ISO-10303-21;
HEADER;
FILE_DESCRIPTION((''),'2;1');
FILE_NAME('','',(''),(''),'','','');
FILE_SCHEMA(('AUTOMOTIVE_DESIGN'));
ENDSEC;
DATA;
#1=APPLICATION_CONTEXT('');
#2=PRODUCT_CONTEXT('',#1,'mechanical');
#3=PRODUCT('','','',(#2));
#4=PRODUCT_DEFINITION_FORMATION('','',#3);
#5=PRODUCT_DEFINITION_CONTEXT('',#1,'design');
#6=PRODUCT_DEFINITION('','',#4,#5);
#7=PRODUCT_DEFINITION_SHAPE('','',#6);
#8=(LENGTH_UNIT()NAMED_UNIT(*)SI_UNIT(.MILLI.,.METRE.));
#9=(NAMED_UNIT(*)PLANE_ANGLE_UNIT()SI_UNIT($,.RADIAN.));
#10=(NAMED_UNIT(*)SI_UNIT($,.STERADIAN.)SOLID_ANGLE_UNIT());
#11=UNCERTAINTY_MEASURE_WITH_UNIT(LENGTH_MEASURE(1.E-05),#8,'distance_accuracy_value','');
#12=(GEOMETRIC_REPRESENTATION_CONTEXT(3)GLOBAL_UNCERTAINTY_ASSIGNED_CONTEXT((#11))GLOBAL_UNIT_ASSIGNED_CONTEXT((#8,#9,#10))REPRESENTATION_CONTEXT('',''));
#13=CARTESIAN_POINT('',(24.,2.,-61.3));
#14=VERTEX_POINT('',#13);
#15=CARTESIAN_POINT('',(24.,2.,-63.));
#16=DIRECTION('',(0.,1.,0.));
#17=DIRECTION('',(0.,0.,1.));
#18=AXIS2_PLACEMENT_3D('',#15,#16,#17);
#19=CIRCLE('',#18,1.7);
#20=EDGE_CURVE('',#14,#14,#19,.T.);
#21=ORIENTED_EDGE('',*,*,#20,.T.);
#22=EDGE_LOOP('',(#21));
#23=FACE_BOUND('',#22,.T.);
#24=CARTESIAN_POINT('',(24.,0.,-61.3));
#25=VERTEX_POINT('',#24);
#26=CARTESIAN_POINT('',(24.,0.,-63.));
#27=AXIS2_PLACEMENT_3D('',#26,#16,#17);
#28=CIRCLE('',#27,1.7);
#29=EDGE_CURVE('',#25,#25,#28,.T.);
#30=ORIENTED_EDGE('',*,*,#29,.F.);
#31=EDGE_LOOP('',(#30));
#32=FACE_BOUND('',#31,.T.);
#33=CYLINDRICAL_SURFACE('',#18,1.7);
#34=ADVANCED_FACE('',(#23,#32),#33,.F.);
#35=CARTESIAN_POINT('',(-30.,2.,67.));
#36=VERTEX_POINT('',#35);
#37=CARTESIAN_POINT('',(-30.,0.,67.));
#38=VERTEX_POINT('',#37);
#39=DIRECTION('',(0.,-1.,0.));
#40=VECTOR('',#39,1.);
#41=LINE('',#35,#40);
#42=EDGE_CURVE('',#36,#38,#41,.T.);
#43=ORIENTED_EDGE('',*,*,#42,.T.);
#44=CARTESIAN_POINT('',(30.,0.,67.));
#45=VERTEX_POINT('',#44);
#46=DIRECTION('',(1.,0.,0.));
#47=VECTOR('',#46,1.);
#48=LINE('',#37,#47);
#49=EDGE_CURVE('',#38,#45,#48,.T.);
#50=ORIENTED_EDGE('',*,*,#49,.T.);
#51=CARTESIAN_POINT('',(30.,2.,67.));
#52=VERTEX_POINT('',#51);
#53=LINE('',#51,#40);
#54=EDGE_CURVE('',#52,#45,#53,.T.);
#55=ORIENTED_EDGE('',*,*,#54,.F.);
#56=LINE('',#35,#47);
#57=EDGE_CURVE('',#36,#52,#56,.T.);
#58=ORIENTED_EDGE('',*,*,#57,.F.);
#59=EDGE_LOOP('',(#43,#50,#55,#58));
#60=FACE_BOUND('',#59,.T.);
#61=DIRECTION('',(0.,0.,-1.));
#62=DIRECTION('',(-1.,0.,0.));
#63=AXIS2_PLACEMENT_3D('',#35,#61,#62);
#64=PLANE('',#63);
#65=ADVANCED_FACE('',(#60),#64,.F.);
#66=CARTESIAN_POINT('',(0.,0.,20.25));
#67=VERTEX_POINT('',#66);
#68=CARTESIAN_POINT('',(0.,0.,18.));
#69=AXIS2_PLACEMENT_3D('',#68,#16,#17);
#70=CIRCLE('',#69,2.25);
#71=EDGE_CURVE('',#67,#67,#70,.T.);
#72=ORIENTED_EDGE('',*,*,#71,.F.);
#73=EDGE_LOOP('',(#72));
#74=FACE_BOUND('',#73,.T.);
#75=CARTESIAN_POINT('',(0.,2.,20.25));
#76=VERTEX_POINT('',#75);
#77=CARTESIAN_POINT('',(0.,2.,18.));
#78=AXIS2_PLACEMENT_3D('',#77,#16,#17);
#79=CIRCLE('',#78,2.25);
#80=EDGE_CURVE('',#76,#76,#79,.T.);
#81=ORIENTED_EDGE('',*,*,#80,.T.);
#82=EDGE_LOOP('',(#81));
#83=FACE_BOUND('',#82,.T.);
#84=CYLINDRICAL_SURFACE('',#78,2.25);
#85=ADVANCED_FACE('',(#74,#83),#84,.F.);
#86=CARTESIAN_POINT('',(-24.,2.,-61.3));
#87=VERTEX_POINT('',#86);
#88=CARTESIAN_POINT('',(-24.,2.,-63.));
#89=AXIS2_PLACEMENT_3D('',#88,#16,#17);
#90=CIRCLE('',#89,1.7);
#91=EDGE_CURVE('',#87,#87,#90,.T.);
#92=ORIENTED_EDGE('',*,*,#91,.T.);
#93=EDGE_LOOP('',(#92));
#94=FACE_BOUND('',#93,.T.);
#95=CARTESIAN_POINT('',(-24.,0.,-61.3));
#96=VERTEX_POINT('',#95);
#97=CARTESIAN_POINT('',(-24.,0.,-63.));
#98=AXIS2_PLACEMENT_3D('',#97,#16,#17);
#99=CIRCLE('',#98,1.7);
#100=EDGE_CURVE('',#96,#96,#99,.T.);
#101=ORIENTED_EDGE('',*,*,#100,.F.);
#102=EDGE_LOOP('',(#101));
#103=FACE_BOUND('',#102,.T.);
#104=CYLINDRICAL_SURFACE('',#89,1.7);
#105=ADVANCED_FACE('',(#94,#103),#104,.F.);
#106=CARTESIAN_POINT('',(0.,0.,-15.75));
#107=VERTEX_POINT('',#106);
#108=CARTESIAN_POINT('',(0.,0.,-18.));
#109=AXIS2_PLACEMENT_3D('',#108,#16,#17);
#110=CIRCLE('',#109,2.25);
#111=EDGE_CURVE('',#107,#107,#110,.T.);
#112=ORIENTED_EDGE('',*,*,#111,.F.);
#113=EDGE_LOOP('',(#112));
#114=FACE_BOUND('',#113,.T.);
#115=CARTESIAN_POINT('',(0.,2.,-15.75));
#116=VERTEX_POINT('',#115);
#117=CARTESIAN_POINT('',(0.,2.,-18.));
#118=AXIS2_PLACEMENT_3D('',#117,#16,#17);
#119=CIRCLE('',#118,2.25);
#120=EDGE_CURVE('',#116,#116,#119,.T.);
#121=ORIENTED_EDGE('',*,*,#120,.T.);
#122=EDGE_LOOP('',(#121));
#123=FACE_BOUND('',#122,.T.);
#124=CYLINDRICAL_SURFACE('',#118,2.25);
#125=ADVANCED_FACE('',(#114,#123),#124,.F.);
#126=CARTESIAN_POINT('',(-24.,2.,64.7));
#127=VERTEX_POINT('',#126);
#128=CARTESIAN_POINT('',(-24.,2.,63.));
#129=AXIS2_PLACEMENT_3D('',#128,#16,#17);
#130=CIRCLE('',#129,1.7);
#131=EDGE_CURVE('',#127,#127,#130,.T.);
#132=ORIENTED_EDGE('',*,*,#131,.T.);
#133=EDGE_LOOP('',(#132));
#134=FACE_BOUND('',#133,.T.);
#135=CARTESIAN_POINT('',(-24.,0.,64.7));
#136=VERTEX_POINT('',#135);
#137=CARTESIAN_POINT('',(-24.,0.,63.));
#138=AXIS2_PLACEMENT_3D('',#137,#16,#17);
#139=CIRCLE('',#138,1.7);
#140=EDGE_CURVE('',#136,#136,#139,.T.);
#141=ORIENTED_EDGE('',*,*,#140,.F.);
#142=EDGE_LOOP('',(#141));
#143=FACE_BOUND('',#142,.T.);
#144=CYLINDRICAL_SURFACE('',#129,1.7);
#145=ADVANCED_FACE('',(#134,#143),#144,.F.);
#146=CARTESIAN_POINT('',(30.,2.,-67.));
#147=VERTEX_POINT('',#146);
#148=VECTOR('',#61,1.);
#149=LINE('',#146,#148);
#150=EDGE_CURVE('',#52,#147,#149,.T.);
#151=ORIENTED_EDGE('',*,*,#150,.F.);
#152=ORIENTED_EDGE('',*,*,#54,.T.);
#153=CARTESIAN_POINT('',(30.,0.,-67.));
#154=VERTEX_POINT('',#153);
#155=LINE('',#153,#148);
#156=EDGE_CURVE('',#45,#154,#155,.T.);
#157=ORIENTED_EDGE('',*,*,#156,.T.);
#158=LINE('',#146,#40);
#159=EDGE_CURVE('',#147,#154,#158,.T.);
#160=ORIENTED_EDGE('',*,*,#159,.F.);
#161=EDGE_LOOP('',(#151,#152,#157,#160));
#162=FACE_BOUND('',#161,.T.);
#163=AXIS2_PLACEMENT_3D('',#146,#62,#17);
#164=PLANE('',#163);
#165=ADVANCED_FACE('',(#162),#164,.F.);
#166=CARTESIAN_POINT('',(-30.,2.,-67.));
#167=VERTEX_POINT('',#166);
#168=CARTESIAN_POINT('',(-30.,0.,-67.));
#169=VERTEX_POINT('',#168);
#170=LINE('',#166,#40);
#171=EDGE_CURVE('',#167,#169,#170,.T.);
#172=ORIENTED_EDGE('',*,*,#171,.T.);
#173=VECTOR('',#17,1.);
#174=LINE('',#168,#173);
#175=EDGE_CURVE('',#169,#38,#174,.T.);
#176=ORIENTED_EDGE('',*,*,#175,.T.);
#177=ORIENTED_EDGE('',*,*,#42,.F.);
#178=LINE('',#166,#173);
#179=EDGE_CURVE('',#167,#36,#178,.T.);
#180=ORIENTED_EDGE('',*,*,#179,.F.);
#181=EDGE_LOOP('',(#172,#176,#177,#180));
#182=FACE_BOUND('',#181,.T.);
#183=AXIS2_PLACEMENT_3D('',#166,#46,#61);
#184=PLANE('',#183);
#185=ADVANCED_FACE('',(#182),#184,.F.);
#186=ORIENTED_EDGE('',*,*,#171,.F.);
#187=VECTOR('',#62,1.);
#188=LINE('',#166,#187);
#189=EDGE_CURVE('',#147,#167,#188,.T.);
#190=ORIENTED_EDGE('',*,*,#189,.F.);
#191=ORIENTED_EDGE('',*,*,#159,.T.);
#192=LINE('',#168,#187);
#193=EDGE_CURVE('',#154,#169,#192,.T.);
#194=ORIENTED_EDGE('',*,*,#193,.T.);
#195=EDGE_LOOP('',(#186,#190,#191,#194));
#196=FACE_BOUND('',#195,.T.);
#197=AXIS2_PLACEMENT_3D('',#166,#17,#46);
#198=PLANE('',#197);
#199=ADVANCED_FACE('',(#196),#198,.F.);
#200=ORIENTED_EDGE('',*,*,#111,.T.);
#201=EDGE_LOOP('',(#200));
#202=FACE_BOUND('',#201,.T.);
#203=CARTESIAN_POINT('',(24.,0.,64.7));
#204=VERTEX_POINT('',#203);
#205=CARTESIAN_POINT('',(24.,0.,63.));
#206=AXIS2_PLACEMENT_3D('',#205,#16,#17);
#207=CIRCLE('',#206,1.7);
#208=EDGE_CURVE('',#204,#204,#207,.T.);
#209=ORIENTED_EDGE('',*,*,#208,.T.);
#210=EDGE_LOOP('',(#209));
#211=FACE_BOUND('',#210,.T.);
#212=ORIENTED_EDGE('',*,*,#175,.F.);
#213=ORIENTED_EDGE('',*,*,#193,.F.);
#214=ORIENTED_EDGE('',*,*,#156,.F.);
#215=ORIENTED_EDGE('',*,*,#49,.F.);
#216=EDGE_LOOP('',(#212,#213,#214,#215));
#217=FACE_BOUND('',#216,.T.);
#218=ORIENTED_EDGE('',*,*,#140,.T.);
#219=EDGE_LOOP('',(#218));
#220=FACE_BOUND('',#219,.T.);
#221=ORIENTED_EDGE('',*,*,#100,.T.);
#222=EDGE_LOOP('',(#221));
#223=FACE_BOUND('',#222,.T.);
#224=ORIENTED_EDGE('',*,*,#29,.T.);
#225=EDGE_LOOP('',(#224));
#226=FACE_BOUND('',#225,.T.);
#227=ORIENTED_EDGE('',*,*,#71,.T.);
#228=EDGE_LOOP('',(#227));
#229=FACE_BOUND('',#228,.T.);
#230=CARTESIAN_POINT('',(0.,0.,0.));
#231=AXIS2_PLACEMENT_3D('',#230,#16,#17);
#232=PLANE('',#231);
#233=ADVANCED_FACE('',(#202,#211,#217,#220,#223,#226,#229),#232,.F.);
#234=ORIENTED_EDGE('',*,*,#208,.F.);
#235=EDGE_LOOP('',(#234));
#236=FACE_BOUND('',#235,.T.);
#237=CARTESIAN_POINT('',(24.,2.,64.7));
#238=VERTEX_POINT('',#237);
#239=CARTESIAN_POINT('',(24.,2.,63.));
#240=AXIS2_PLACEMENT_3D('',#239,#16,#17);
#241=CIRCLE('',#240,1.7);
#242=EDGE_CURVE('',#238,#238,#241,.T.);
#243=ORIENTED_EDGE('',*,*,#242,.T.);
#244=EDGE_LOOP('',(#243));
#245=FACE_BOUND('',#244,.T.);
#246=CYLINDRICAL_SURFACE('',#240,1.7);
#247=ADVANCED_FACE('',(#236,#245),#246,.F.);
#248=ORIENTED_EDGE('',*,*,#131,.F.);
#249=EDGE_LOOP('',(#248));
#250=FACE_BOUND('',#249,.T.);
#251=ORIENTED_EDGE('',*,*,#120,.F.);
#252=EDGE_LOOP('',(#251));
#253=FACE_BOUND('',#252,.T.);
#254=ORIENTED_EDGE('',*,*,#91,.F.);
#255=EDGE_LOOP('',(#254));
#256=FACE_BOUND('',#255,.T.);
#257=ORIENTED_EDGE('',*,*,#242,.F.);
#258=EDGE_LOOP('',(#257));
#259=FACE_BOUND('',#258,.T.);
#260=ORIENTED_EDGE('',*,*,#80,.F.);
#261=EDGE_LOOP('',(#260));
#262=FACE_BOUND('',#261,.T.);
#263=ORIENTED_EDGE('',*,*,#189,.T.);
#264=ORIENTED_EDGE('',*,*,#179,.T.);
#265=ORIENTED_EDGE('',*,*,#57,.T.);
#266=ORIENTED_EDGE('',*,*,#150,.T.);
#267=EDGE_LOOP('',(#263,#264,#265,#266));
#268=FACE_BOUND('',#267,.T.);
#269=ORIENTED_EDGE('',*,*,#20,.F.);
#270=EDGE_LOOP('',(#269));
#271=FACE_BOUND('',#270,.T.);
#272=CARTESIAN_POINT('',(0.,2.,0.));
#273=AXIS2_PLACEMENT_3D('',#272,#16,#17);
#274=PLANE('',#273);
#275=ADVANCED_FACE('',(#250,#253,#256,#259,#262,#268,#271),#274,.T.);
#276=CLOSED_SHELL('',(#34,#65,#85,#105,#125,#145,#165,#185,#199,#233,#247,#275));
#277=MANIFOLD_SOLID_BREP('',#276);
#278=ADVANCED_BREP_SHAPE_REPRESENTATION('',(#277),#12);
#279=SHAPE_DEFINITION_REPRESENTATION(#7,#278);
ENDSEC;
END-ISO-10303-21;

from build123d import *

# Parameters (mm, degrees)
SKETCH1_W                = 60
SKETCH1_H                = 134
BOSS_EXTRUDE1_DEPTH      = 2
M4_CLEARANCE_HOLE1_D     = 4.5
M4_CLEARANCE_HOLE1_DEPTH = 17.38
M4_CLEARANCE_HOLE1_TIP   = 1.351936393
M3_CLEARANCE_HOLE1_D     = 3.4
M3_CLEARANCE_HOLE1_DEPTH = 17.38
M3_CLEARANCE_HOLE1_TIP   = 1.021463052


with BuildPart() as part:
    # Sketch1 → Boss-Extrude1 (new body)
    with BuildSketch(Plane(origin=(0, 0, 0), x_dir=(1, 0, 0), z_dir=(0, 1, 0))):
        Rectangle(SKETCH1_W, SKETCH1_H)
    extrude(amount=BOSS_EXTRUDE1_DEPTH)

    # M4 Clearance Hole1
    with Locations(Plane(origin=(182.343359314, 2, 33.553549243), x_dir=(1, 0, 0), z_dir=(0, 1, 0))):
        with Locations((-182.343359314, 51.553549243), (-182.343359314, 15.553549243)):
            Hole(M4_CLEARANCE_HOLE1_D / 2, depth=M4_CLEARANCE_HOLE1_DEPTH)
            with Locations((0, 0, -(M4_CLEARANCE_HOLE1_DEPTH + M4_CLEARANCE_HOLE1_TIP / 2))):  # 118° drill point
                Cone(0, M4_CLEARANCE_HOLE1_D / 2, M4_CLEARANCE_HOLE1_TIP, mode=Mode.SUBTRACT)

    # M3 Clearance Hole1
    with Locations(Plane(origin=(182.343359314, 2, 33.553549243), x_dir=(1, 0, 0), z_dir=(0, 1, 0))):
        with Locations((-206.343359314, 96.553549243), (-158.343359314, 96.553549243), (-158.343359314, -29.446450757), (-206.343359314, -29.446450757)):
            Hole(M3_CLEARANCE_HOLE1_D / 2, depth=M3_CLEARANCE_HOLE1_DEPTH)
            with Locations((0, 0, -(M3_CLEARANCE_HOLE1_DEPTH + M3_CLEARANCE_HOLE1_TIP / 2))):  # 118° drill point
                Cone(0, M3_CLEARANCE_HOLE1_D / 2, M3_CLEARANCE_HOLE1_TIP, mode=Mode.SUBTRACT)


solid = part.part
